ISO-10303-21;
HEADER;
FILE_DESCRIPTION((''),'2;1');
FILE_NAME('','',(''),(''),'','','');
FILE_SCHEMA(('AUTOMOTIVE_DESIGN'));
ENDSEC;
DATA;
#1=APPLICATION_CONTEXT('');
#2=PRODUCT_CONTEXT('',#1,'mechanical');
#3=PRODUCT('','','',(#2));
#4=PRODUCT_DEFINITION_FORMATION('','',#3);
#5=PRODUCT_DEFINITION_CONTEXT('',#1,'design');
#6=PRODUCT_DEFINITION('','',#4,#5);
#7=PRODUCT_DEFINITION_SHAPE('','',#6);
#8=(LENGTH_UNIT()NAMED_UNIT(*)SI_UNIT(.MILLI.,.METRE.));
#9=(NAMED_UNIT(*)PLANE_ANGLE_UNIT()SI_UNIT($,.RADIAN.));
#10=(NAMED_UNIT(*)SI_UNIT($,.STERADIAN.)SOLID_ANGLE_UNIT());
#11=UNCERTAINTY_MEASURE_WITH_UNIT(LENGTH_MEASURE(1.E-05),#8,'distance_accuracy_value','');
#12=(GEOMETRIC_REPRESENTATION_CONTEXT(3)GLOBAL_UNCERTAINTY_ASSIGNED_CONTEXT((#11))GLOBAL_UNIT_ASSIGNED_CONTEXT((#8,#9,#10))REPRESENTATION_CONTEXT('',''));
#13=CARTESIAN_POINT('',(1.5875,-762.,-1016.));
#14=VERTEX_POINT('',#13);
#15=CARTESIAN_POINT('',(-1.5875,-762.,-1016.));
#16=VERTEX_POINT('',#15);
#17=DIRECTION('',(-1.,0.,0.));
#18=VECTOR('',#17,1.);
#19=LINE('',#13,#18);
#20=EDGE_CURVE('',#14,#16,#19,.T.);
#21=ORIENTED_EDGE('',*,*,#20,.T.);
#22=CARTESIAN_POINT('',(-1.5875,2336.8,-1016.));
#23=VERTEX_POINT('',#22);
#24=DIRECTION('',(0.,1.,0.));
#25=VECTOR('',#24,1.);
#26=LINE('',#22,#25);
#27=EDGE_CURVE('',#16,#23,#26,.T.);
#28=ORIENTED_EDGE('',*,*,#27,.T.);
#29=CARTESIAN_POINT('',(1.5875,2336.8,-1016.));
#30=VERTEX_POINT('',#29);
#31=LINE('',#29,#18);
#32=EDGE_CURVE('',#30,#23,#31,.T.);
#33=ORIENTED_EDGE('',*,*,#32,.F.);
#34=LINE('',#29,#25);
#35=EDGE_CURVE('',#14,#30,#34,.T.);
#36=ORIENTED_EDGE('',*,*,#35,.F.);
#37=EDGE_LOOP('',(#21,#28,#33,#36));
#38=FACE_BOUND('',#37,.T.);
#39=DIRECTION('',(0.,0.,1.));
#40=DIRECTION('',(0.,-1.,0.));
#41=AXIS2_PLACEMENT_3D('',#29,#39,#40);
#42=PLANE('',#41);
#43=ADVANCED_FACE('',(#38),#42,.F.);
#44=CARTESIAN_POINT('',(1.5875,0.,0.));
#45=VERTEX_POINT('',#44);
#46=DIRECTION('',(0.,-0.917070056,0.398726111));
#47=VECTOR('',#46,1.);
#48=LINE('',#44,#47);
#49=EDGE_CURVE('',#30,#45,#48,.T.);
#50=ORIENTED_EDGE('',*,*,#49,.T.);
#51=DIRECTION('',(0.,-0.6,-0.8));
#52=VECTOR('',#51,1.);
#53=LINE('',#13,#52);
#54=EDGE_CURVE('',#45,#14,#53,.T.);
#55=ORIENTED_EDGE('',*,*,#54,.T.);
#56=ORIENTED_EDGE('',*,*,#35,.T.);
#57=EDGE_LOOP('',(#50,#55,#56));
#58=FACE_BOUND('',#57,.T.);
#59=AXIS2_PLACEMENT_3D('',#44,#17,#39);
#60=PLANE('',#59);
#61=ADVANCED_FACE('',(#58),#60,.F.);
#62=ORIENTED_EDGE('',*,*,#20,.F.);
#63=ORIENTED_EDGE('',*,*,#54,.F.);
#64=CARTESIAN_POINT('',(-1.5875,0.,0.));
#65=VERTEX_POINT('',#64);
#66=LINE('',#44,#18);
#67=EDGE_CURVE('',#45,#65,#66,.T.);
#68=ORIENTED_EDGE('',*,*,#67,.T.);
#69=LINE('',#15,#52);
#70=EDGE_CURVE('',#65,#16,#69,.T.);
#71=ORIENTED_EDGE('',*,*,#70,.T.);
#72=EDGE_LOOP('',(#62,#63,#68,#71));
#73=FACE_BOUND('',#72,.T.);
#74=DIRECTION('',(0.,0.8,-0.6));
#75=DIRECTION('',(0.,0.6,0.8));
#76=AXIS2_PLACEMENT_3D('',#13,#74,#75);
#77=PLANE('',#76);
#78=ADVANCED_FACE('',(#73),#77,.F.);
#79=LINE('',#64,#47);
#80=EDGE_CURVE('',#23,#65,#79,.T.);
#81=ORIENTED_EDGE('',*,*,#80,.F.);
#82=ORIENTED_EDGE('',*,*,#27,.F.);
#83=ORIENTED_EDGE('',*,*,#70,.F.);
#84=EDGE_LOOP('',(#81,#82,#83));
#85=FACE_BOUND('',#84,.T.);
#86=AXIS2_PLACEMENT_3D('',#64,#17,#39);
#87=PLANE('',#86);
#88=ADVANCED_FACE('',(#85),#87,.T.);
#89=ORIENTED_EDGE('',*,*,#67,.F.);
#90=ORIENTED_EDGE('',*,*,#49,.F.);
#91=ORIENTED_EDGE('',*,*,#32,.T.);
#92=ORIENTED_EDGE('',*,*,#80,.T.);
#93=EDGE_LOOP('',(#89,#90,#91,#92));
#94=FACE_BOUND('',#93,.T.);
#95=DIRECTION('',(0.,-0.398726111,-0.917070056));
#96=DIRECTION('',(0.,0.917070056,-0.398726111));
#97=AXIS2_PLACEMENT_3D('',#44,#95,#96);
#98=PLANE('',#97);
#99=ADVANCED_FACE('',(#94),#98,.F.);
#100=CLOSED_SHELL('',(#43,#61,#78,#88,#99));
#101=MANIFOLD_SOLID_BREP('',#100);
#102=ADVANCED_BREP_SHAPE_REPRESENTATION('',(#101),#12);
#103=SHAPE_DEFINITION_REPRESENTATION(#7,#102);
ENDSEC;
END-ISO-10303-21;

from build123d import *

# Parameters (mm, degrees)
BOSS_EXTRUDE1_DEPTH = 1.5875


with BuildPart() as part:
    # Sketch2 → Boss-Extrude1 (new body, symmetric)
    with BuildSketch(Plane(origin=(0, 0, 0), x_dir=(0, 0, -1), z_dir=(1, 0, 0))):
        Polygon((0, 0), (1016, 2336.8), (1016, -762), align=None)
    extrude(amount=BOSS_EXTRUDE1_DEPTH, both=True)


solid = part.part
